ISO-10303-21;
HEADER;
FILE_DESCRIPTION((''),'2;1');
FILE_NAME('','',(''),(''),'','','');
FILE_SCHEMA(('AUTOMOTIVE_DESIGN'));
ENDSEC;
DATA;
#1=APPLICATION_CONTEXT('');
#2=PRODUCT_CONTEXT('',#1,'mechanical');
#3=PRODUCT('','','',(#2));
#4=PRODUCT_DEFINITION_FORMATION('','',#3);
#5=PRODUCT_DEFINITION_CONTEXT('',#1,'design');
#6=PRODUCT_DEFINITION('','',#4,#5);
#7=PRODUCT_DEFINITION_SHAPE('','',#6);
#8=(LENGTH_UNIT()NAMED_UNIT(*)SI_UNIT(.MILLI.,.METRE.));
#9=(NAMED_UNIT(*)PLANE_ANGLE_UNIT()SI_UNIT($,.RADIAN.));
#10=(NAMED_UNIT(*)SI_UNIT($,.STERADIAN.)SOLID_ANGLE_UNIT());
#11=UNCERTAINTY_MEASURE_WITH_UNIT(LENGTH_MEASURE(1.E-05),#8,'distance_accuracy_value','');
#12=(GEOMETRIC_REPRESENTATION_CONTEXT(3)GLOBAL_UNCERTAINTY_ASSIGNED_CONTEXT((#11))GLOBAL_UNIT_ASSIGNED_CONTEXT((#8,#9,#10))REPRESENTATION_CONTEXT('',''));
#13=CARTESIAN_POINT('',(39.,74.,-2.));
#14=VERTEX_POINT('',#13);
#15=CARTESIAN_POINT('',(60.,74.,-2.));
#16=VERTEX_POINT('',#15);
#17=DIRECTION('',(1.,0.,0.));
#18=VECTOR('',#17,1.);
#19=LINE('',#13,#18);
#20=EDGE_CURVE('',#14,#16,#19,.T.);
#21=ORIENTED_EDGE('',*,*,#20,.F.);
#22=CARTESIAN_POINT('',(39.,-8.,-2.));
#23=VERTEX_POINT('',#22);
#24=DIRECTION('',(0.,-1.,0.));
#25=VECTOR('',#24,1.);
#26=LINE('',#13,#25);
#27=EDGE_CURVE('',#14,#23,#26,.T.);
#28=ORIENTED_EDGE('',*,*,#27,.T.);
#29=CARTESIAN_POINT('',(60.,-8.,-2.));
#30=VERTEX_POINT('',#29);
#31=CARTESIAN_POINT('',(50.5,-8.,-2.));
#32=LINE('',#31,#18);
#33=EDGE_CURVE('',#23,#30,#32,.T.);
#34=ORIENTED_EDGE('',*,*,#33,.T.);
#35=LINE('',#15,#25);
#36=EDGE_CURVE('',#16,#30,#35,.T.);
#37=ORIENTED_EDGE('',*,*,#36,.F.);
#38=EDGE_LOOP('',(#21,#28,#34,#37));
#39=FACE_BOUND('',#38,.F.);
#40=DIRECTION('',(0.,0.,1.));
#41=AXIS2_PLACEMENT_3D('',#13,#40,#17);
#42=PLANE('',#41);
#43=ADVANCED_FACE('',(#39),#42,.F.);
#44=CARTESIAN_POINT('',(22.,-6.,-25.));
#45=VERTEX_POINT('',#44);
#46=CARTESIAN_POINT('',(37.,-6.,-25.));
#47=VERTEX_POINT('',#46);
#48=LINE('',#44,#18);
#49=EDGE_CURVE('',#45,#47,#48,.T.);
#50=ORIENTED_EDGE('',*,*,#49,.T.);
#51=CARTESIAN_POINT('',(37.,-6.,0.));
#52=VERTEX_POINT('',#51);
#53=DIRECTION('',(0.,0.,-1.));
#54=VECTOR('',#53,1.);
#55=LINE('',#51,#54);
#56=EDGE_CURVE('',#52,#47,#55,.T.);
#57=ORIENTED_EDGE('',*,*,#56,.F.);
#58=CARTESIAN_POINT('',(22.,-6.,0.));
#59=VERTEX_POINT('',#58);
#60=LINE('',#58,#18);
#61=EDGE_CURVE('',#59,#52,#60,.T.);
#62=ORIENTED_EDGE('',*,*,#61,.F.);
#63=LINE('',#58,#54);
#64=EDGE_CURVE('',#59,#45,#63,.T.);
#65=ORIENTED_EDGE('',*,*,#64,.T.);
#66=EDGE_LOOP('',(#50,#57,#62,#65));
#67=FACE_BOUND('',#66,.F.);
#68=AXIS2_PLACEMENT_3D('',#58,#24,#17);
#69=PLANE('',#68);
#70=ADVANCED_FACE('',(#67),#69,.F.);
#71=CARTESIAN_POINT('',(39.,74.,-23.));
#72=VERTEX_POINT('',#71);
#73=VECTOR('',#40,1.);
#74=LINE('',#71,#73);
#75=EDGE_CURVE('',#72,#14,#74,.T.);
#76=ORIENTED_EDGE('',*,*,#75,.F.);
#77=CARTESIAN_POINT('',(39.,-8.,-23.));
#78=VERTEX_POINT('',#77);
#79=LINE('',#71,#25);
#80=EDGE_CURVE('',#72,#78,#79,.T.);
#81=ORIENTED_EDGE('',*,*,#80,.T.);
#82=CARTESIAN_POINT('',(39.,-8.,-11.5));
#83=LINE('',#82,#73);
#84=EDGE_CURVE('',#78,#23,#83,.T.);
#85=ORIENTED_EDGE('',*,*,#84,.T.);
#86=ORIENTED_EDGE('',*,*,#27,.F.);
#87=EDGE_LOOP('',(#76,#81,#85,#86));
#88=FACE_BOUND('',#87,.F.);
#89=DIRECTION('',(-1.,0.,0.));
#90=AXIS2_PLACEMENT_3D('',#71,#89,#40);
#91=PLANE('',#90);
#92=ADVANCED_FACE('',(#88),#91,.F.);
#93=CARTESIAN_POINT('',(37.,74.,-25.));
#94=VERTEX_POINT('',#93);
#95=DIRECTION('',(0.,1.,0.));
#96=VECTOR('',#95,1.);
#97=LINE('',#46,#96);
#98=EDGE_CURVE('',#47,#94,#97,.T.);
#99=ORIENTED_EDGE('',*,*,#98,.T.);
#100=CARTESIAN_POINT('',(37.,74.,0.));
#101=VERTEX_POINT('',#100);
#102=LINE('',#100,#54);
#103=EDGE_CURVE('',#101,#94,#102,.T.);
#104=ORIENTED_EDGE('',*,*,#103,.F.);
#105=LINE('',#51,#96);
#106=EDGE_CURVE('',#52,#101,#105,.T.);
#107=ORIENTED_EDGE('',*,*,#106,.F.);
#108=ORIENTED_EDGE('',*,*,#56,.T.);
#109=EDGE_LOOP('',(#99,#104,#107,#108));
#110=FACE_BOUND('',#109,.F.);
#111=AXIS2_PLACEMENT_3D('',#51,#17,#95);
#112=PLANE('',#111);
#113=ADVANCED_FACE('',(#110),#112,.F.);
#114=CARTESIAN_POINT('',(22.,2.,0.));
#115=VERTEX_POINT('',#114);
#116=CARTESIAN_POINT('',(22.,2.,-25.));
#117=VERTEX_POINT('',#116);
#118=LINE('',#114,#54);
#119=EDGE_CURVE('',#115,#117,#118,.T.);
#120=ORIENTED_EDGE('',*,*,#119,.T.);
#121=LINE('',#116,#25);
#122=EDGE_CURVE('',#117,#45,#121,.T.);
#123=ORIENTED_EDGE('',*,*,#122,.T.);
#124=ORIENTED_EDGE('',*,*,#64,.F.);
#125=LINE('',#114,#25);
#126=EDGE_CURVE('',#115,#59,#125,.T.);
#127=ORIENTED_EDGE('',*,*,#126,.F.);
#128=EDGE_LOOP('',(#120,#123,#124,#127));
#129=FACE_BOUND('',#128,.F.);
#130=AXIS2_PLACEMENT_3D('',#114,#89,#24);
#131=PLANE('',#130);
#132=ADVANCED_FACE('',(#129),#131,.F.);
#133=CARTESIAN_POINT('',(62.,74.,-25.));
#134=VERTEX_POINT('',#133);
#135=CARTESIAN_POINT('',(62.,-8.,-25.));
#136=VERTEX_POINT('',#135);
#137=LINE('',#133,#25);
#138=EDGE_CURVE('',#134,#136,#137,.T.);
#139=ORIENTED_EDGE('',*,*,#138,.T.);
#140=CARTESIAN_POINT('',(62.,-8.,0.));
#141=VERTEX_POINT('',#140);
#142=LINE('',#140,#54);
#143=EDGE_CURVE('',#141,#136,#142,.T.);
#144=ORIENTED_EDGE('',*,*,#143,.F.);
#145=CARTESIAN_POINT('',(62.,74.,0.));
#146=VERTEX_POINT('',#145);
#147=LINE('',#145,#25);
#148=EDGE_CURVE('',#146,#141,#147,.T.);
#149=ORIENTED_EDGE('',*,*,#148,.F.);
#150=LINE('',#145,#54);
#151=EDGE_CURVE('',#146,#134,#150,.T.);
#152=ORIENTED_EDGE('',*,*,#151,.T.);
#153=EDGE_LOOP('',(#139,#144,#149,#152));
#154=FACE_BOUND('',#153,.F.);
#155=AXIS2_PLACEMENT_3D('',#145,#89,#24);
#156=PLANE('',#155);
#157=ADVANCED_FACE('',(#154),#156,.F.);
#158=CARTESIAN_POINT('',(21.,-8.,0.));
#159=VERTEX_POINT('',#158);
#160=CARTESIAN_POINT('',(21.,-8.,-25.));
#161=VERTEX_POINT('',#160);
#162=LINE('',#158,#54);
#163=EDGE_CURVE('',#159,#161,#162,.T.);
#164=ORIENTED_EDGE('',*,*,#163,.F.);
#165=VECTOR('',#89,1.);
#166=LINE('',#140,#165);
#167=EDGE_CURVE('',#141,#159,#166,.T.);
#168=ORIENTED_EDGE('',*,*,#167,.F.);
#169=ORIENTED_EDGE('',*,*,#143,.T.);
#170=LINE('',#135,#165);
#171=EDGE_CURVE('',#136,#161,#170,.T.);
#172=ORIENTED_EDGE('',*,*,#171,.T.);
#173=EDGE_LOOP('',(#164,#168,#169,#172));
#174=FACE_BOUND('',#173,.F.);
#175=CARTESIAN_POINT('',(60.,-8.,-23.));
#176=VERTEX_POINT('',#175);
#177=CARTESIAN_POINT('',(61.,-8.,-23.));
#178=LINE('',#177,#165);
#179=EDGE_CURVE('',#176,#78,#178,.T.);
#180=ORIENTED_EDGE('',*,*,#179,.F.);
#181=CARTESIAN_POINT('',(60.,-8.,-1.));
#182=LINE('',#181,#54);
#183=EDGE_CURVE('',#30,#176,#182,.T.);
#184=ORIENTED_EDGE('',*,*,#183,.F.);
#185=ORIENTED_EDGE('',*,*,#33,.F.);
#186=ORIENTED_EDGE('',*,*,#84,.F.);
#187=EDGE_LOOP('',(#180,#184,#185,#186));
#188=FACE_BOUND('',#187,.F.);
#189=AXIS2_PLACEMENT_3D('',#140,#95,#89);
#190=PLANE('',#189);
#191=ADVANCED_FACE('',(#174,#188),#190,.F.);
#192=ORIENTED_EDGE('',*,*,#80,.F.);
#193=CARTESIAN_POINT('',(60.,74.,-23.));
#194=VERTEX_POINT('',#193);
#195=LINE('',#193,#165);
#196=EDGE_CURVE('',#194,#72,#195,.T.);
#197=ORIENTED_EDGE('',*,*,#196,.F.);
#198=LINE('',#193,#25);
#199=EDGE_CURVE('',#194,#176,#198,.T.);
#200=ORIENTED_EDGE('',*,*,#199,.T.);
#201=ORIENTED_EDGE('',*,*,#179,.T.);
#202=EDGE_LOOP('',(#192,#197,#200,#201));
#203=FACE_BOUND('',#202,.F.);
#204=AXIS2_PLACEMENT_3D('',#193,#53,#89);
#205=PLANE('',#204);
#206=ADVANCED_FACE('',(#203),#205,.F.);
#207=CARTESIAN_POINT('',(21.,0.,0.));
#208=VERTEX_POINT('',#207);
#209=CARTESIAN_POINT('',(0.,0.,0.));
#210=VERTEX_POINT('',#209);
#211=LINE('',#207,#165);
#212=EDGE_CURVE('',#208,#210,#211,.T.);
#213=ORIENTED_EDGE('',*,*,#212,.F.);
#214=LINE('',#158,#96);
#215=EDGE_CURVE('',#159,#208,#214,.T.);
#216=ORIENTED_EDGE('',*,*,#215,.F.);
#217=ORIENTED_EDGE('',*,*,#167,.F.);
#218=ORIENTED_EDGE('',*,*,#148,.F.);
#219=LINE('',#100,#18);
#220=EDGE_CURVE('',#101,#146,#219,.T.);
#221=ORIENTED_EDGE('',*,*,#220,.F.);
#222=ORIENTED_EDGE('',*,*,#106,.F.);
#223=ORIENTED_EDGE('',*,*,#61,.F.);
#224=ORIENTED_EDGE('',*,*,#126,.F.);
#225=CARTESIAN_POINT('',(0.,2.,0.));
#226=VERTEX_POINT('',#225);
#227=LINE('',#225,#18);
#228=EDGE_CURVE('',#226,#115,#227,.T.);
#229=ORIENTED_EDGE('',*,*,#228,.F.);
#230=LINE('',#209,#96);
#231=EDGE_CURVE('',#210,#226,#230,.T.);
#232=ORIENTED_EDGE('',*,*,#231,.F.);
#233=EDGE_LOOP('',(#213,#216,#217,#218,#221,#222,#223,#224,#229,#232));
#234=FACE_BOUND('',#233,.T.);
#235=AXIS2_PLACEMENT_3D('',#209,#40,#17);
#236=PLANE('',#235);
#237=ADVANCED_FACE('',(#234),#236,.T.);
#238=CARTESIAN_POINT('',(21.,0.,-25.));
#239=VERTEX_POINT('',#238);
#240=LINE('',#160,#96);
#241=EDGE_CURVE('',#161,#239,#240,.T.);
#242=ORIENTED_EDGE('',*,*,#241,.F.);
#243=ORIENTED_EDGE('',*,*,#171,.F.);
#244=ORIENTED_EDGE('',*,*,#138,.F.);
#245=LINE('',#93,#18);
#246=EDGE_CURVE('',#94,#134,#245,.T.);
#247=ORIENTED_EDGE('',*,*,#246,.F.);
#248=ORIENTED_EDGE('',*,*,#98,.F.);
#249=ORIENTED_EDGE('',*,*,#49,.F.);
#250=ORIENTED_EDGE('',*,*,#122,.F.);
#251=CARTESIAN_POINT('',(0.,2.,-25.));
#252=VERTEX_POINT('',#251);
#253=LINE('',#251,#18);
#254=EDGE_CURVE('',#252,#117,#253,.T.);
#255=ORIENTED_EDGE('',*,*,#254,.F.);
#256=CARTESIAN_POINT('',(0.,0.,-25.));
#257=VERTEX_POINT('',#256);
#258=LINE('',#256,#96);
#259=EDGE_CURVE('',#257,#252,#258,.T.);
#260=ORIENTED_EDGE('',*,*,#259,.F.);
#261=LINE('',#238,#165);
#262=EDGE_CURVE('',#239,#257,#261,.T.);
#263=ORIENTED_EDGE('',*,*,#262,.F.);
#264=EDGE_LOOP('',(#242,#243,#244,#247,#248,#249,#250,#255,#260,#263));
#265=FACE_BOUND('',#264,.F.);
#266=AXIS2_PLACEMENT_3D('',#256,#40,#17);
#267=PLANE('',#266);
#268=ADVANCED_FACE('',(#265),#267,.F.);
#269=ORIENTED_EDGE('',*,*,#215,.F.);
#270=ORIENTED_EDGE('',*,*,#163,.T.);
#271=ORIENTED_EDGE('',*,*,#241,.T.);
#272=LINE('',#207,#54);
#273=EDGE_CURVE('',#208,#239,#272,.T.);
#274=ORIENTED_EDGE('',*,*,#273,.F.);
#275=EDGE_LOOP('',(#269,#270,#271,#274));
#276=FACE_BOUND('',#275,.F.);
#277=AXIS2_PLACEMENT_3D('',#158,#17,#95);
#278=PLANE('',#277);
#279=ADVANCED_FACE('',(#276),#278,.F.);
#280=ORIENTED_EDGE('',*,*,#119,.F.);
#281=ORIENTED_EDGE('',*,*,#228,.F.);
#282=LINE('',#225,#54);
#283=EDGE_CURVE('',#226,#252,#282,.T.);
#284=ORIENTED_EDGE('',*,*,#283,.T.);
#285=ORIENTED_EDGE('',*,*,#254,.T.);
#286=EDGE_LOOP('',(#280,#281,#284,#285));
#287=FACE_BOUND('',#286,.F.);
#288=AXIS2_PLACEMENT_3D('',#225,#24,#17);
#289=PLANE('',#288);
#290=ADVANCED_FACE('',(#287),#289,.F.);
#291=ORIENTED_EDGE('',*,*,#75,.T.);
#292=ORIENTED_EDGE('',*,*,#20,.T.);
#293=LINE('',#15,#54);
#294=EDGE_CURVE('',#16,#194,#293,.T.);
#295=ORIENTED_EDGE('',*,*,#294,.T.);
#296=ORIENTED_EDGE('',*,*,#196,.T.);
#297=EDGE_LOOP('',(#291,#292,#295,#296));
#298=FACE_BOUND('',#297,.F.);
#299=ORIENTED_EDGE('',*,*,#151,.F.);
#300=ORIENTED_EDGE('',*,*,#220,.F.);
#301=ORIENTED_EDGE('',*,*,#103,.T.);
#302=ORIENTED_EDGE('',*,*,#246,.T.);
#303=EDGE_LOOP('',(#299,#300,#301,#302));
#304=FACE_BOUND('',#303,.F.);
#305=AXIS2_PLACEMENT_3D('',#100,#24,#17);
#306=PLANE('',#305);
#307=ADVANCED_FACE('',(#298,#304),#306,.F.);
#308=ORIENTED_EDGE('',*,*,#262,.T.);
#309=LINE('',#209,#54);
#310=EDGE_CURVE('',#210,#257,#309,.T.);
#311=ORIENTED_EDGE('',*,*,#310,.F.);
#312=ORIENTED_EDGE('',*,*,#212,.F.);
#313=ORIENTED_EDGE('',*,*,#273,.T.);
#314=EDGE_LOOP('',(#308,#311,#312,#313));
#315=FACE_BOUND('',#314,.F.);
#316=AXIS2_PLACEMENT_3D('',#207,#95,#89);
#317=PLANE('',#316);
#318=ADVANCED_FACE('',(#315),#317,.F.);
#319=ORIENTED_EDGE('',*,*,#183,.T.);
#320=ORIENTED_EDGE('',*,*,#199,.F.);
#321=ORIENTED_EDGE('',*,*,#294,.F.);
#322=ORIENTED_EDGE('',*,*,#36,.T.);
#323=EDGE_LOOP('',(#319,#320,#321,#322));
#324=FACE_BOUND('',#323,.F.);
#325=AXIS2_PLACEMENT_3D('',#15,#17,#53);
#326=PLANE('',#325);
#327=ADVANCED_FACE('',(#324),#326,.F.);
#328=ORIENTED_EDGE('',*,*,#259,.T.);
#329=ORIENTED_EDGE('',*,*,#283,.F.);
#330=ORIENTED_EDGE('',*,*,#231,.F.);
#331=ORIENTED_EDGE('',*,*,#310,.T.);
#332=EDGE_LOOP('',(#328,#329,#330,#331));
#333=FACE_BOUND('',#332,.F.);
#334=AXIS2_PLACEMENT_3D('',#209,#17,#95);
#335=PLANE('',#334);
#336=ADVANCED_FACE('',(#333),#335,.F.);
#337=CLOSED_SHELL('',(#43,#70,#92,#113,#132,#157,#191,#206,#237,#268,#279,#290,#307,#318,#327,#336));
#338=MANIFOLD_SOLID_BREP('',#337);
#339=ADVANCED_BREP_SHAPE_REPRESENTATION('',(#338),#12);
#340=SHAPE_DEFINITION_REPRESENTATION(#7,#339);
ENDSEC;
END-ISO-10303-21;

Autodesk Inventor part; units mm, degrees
ref_plane "YZ Plane" through (0, 0, 0) normal (1, 0, 0) x (0, 1, 0)
ref_plane "XZ Plane" through (0, 0, 0) normal (0, 1, 0) x (-1, 0, 0)
ref_plane "XY Plane" through (0, 0, 0) normal (0, 0, 1) x (1, 0, 0)
sketch "Skizze4" plane through (0, 0, 0) normal (0, 0, 1) x (1, 0, 0)
  line L0 (0, 0) -> (0, 2)
  line L1 (0, 2) -> (22, 2)
  line L2 (22, 2) -> (22, -6)
  line L3 (22, -6) -> (37, -6)
  line L4 (37, -6) -> (37, 74)
  line L5 (37, 74) -> (62, 74)
  line L6 (62, 74) -> (62, -8)
  line L7 (62, 74) -> (144, 74) construction
  line L8 (62, -8) -> (21, -8)
  line L9 (21, -8) -> (21, 0)
  line L10 (21, 0) -> (0, 0)
  dimension "d2" = 2
  dimension "d3" = 22
  dimension "d4" = 8
  dimension "d5" = 15
  dimension "d6" = 80
  dimension "d7" = 25
  dimension "d8" = 82
  dimension "d9" = 90
  dimension "d10" = 41
extrude "Extrusion3" add sketch "Skizze4" against normal blind 25
sketch "Skizze7" plane through (37, 74, 0) normal (0, 1, 0) x (1, 0, 0)
  line L0 (2, 2) -> (23, 2)
  line L1 (23, 2) -> (23, 23)
  line L2 (23, 23) -> (2, 23)
  line L3 (2, 23) -> (2, 2)
  point P0 (-37, 0)
  dimension "d19" = 21
  dimension "d20" = 21
extrude "Extrusion4" cut sketch "Skizze7" against normal blind 100
properties part number "flexibler_standfuß_v0.2"
